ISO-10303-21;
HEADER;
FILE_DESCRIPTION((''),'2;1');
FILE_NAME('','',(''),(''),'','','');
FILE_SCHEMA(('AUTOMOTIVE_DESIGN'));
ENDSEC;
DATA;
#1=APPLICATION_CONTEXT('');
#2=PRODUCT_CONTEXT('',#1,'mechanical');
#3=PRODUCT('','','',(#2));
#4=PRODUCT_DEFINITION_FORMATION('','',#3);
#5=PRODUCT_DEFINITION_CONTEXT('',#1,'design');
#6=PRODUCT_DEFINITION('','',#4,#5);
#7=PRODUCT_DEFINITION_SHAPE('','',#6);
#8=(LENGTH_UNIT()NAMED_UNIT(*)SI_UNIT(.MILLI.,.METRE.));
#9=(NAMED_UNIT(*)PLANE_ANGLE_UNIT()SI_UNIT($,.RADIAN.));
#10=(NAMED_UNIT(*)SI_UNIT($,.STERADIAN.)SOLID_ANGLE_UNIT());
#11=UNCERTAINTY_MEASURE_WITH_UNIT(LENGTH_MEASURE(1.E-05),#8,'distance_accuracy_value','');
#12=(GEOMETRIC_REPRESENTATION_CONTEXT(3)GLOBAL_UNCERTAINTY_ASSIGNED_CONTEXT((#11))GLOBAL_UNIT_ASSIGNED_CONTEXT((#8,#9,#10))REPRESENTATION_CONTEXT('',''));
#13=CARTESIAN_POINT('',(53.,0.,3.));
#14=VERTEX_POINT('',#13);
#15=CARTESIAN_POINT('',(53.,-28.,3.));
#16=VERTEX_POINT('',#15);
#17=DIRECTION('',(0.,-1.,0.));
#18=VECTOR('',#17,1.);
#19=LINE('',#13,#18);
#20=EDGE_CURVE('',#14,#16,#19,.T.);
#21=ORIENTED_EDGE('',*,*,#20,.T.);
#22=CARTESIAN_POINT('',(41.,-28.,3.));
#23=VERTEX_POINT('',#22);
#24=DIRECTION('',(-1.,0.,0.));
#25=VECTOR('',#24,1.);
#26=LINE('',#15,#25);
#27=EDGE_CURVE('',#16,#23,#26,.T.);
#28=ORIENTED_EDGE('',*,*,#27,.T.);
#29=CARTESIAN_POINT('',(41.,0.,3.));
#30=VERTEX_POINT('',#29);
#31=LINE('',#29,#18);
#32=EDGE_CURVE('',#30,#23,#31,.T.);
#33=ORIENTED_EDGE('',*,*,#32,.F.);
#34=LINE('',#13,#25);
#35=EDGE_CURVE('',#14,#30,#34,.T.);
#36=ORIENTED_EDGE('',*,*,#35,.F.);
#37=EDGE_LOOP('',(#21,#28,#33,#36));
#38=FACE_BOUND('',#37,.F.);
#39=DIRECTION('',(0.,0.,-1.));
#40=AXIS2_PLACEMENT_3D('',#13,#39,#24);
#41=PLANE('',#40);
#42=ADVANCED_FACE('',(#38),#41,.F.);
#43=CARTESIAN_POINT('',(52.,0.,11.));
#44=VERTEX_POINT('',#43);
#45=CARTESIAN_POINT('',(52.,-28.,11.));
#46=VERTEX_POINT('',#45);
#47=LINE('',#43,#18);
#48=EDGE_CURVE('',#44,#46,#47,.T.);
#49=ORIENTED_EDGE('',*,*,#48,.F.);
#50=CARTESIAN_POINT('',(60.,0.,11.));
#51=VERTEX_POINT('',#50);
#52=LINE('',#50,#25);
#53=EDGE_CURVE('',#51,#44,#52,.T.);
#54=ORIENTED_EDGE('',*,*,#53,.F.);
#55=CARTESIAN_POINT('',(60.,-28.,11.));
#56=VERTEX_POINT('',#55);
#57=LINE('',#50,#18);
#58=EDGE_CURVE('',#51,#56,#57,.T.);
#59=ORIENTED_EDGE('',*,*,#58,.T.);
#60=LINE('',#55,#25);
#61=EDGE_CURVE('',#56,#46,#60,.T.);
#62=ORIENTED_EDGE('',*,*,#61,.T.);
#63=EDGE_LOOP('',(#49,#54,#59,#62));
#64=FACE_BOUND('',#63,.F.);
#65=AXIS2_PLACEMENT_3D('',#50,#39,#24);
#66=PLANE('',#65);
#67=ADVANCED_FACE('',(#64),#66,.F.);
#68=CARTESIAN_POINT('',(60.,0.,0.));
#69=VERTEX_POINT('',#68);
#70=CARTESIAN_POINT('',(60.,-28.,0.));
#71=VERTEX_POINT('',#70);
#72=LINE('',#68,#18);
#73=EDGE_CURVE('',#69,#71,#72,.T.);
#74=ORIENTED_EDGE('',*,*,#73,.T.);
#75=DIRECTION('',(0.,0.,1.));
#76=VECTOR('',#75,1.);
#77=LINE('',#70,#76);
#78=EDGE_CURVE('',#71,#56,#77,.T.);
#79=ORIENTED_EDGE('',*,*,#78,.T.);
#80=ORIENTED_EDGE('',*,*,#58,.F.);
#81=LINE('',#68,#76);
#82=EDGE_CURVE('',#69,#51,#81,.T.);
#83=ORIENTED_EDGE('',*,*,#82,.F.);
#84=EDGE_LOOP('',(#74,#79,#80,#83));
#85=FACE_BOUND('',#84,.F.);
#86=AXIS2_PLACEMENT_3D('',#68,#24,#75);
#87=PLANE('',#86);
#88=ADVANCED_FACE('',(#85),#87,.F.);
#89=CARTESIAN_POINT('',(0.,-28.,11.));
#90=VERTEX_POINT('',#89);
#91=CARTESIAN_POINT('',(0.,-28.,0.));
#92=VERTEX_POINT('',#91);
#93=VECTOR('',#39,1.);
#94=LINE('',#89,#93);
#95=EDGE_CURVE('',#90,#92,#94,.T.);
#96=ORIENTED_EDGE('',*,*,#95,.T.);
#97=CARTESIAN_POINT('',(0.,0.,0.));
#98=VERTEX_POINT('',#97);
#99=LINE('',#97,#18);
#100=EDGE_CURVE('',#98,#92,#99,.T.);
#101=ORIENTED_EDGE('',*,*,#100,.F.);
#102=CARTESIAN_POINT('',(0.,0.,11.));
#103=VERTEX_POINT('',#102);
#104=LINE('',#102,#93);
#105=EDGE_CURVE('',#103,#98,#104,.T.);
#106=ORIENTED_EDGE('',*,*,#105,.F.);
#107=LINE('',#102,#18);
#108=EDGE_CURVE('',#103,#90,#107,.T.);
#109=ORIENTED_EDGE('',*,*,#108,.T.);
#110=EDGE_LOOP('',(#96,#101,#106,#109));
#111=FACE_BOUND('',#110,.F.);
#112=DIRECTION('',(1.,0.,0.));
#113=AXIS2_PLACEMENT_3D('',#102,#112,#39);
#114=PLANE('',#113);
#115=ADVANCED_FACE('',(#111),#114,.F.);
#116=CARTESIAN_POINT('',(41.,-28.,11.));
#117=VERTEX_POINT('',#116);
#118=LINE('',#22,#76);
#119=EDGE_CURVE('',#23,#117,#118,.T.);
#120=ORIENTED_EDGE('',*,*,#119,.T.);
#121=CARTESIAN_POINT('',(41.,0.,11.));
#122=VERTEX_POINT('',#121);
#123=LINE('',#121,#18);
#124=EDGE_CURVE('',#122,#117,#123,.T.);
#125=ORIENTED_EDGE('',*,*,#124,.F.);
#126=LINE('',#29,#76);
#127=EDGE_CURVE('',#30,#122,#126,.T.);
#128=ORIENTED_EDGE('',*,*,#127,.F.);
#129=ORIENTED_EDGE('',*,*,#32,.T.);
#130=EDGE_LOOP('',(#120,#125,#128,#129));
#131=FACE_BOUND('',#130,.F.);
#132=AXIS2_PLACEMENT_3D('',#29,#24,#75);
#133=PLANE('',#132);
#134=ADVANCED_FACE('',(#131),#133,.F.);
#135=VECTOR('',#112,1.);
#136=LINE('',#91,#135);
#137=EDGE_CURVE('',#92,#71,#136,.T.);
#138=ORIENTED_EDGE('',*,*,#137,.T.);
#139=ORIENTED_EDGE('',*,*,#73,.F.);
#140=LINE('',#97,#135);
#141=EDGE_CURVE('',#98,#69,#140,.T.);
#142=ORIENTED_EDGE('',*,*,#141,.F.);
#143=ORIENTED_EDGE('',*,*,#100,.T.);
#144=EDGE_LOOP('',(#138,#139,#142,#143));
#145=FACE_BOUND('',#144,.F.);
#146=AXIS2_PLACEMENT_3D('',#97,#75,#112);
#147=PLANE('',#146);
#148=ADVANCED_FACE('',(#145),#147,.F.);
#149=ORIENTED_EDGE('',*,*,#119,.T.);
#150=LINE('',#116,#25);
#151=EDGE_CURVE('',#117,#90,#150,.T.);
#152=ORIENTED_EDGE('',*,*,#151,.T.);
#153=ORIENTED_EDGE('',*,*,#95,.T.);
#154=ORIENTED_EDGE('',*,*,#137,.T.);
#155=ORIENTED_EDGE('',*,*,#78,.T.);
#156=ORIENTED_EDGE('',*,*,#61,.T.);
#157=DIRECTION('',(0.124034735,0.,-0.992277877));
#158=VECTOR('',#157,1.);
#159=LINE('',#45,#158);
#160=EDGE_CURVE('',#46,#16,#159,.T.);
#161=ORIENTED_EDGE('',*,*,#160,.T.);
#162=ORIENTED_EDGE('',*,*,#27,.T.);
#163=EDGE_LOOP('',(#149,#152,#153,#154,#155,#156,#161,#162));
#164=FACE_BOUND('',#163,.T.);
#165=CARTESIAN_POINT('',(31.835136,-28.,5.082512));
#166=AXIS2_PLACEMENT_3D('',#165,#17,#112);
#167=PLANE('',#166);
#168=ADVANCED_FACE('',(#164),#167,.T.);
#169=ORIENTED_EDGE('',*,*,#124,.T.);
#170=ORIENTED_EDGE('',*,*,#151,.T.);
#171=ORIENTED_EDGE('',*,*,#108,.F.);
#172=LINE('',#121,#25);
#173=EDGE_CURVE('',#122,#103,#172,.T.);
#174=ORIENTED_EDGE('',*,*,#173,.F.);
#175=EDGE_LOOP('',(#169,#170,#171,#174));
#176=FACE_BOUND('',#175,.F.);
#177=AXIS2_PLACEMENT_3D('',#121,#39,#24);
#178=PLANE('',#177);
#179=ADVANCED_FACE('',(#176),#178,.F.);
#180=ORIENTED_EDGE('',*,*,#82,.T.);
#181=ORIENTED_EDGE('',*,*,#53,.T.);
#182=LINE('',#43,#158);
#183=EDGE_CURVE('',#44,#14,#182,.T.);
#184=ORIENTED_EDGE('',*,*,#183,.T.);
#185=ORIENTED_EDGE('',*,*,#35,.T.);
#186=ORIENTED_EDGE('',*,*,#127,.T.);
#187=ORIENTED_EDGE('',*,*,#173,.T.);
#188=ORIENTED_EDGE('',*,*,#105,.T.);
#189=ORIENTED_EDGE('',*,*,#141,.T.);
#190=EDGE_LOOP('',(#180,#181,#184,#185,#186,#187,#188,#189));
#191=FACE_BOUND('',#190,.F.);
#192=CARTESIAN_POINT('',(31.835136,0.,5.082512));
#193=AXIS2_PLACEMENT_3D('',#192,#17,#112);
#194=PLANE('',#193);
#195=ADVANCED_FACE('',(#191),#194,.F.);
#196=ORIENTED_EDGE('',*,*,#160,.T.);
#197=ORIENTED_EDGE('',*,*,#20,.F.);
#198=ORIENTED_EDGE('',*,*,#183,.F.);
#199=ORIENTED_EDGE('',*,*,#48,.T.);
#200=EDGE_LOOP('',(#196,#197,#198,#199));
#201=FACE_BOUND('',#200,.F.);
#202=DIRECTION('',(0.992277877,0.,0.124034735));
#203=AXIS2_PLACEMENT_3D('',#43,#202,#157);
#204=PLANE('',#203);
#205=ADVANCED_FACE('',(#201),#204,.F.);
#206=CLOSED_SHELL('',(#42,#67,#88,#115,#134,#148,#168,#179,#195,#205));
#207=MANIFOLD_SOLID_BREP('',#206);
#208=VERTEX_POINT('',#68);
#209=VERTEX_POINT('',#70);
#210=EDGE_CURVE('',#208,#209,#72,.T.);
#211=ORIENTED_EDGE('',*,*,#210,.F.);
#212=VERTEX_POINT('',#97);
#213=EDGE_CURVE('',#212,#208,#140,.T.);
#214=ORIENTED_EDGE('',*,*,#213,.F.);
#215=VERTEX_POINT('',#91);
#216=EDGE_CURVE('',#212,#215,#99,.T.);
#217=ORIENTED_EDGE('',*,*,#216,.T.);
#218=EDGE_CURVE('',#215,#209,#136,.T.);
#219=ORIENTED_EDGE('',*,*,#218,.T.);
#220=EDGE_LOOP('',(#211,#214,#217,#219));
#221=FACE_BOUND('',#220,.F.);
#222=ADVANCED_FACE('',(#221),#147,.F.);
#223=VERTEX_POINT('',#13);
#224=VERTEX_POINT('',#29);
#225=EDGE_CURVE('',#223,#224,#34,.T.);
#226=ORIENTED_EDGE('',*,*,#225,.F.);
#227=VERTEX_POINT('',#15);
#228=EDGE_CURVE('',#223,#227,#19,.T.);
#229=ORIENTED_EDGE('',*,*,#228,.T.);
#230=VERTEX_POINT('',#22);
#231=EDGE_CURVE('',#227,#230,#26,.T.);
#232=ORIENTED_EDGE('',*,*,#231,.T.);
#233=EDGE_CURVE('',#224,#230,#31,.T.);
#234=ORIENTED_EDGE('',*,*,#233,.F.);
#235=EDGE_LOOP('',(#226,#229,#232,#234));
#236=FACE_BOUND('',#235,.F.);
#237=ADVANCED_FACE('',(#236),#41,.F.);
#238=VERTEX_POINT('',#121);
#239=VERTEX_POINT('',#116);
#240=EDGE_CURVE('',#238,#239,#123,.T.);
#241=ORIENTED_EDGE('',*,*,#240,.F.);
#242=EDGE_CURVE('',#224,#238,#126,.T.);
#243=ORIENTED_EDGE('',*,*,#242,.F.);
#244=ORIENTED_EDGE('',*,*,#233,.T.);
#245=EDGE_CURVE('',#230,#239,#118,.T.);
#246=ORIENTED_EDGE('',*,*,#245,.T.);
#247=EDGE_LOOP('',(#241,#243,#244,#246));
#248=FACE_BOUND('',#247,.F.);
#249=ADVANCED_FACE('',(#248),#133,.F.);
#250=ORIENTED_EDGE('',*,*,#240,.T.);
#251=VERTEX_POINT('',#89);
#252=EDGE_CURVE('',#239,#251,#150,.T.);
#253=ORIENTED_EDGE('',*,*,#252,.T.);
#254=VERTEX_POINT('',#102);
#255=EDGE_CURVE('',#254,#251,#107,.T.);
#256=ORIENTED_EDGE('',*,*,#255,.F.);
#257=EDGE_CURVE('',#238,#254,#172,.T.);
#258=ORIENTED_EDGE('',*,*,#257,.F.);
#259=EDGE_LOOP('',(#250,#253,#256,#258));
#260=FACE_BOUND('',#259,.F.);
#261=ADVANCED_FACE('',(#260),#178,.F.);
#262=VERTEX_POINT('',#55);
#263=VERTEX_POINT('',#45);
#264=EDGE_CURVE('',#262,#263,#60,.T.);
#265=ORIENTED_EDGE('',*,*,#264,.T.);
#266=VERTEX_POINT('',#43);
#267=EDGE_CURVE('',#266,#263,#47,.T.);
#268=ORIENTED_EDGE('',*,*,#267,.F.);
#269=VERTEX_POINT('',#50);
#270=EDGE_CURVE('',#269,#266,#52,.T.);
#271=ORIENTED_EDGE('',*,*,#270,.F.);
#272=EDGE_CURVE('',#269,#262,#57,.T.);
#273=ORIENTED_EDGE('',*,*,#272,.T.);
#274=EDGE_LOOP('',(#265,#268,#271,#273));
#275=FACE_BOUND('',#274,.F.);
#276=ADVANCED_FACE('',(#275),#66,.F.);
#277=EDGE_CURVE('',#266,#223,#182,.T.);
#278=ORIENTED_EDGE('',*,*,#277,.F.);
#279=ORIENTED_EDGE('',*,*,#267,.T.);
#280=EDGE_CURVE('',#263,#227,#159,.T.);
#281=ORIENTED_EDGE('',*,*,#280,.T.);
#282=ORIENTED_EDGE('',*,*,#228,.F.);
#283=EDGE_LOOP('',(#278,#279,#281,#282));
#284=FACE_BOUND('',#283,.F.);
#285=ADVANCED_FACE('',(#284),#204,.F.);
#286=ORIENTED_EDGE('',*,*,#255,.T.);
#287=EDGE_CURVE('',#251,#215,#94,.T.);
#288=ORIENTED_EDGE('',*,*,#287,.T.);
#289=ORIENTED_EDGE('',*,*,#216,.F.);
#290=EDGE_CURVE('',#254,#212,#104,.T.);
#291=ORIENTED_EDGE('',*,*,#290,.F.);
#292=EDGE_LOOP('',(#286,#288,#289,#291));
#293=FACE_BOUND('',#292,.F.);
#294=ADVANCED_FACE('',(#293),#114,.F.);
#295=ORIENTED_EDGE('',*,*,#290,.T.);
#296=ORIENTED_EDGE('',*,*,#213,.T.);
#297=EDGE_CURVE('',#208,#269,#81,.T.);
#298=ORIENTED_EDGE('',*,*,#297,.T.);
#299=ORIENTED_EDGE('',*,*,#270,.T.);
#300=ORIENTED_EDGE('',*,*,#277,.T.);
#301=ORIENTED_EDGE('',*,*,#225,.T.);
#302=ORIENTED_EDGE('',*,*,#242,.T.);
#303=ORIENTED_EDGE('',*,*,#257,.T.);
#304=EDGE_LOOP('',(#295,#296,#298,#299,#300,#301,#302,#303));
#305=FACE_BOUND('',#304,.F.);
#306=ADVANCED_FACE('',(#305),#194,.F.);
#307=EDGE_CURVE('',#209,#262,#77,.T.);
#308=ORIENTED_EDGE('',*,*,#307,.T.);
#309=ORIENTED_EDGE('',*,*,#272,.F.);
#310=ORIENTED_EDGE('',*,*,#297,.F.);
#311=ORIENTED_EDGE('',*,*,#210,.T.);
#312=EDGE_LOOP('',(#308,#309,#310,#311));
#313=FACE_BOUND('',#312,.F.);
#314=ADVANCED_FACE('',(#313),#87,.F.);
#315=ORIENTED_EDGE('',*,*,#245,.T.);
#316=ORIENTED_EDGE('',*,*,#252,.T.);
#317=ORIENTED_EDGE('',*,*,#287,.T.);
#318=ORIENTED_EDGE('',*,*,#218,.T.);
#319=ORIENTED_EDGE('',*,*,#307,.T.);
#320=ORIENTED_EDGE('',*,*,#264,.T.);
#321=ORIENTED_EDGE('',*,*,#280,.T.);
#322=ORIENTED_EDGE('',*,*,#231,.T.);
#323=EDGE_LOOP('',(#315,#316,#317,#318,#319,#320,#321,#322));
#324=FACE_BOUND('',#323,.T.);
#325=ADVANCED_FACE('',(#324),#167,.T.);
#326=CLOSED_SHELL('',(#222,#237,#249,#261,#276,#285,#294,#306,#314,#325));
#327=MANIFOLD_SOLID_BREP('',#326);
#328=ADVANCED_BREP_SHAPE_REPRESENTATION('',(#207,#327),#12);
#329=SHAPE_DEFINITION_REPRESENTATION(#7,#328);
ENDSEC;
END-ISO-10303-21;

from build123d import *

# Parameters (mm, degrees)
EXTRUDE_DEPTH    = 28
EXTRUDE001_DEPTH = 28


with BuildPart() as extrude_body:
    # Sketch → Extrude (new body)
    with BuildSketch(Plane.XZ):
        Polygon((0, 0), (60, 0), (60, 11), (52, 11), (53, 3), (41, 3), (41, 11), (0, 11), align=None)
    extrude(amount=EXTRUDE_DEPTH)


with BuildPart() as extrude001:
    # Sketch → Extrude001 (new body)
    with BuildSketch(Plane.XZ):
        Polygon((0, 0), (60, 0), (60, 11), (52, 11), (53, 3), (41, 3), (41, 11), (0, 11), align=None)
    extrude(amount=EXTRUDE001_DEPTH)


solid = Compound([extrude_body.part, extrude001.part])
